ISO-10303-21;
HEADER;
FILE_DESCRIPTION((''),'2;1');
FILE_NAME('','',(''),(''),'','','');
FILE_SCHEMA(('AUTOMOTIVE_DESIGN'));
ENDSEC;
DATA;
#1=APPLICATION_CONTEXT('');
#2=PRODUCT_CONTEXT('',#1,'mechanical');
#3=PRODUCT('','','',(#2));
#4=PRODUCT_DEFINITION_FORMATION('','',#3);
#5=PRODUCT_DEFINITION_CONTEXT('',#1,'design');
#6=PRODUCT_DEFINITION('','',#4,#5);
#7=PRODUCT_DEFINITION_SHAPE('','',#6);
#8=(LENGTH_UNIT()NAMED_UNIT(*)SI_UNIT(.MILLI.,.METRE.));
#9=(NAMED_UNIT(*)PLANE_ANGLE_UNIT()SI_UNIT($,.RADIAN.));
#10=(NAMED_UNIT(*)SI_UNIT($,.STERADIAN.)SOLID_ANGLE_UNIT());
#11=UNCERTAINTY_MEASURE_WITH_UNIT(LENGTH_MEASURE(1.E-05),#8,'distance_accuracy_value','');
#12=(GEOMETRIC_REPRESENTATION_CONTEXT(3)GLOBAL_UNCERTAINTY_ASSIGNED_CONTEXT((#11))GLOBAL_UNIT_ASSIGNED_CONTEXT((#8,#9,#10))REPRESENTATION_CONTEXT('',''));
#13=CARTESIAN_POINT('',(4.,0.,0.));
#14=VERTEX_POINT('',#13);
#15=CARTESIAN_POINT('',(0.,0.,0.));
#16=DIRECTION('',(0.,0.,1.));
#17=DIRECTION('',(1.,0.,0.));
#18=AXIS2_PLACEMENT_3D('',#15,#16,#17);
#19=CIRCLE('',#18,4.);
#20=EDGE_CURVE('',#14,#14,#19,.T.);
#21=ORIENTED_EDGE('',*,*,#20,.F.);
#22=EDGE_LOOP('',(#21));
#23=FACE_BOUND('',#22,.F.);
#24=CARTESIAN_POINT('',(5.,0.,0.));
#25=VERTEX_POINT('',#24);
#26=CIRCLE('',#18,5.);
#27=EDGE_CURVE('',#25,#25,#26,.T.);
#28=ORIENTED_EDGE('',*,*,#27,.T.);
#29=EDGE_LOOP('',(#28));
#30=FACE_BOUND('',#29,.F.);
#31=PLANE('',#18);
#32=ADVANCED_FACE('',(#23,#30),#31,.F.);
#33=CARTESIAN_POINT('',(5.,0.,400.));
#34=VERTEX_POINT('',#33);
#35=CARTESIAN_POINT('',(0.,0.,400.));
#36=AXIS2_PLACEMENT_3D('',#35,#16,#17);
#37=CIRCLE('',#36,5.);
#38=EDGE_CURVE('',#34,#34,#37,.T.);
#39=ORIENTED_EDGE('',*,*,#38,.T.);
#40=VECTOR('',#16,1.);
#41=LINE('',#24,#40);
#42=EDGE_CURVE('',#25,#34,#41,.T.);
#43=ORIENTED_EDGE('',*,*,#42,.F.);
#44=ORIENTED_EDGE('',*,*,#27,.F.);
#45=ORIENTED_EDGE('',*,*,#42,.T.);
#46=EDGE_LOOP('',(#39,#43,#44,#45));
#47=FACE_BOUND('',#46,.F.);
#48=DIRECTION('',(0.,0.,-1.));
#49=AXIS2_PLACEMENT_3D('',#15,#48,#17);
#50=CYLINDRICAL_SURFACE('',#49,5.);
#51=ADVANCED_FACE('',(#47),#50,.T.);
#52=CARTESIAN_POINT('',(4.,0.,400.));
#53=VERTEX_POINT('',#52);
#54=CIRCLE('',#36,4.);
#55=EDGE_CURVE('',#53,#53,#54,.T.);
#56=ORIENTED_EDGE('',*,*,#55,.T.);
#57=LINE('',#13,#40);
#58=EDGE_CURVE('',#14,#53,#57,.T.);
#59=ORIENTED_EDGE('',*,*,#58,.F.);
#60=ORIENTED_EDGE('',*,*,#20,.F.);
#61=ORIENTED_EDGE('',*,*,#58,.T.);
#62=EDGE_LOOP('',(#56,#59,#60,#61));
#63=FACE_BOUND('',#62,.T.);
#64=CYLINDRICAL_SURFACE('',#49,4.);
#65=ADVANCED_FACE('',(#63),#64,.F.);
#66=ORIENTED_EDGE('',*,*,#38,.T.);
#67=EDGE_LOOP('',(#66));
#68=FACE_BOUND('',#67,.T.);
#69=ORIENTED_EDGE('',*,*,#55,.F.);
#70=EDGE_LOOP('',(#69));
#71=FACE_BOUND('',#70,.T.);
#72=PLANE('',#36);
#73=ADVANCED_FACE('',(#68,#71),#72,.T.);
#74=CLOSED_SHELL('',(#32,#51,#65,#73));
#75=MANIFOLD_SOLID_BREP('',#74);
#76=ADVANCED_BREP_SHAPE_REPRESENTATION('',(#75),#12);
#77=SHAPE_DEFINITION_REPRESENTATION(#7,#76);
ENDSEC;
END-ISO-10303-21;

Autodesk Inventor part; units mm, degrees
ref_plane "YZ Plane" through (0, 0, 0) normal (1, 0, 0) x (0, 1, 0)
ref_plane "XZ Plane" through (0, 0, 0) normal (0, 1, 0) x (-1, 0, 0)
ref_plane "XY Plane" through (0, 0, 0) normal (0, 0, 1) x (1, 0, 0)
sketch "Sketch1" plane through (0, 0, 0) normal (0, 0, 1) x (1, 0, 0)
  circle A0 centre (0, 0) radius 5
  circle A1 centre (0, 0) radius 4
  dimension "d0" = 10
  dimension "d1" = 8
extrude "Extrusion1" add sketch "Sketch1" along normal blind 400
properties part number "Tube_12x1x400_CFRP" material "CFRP"
